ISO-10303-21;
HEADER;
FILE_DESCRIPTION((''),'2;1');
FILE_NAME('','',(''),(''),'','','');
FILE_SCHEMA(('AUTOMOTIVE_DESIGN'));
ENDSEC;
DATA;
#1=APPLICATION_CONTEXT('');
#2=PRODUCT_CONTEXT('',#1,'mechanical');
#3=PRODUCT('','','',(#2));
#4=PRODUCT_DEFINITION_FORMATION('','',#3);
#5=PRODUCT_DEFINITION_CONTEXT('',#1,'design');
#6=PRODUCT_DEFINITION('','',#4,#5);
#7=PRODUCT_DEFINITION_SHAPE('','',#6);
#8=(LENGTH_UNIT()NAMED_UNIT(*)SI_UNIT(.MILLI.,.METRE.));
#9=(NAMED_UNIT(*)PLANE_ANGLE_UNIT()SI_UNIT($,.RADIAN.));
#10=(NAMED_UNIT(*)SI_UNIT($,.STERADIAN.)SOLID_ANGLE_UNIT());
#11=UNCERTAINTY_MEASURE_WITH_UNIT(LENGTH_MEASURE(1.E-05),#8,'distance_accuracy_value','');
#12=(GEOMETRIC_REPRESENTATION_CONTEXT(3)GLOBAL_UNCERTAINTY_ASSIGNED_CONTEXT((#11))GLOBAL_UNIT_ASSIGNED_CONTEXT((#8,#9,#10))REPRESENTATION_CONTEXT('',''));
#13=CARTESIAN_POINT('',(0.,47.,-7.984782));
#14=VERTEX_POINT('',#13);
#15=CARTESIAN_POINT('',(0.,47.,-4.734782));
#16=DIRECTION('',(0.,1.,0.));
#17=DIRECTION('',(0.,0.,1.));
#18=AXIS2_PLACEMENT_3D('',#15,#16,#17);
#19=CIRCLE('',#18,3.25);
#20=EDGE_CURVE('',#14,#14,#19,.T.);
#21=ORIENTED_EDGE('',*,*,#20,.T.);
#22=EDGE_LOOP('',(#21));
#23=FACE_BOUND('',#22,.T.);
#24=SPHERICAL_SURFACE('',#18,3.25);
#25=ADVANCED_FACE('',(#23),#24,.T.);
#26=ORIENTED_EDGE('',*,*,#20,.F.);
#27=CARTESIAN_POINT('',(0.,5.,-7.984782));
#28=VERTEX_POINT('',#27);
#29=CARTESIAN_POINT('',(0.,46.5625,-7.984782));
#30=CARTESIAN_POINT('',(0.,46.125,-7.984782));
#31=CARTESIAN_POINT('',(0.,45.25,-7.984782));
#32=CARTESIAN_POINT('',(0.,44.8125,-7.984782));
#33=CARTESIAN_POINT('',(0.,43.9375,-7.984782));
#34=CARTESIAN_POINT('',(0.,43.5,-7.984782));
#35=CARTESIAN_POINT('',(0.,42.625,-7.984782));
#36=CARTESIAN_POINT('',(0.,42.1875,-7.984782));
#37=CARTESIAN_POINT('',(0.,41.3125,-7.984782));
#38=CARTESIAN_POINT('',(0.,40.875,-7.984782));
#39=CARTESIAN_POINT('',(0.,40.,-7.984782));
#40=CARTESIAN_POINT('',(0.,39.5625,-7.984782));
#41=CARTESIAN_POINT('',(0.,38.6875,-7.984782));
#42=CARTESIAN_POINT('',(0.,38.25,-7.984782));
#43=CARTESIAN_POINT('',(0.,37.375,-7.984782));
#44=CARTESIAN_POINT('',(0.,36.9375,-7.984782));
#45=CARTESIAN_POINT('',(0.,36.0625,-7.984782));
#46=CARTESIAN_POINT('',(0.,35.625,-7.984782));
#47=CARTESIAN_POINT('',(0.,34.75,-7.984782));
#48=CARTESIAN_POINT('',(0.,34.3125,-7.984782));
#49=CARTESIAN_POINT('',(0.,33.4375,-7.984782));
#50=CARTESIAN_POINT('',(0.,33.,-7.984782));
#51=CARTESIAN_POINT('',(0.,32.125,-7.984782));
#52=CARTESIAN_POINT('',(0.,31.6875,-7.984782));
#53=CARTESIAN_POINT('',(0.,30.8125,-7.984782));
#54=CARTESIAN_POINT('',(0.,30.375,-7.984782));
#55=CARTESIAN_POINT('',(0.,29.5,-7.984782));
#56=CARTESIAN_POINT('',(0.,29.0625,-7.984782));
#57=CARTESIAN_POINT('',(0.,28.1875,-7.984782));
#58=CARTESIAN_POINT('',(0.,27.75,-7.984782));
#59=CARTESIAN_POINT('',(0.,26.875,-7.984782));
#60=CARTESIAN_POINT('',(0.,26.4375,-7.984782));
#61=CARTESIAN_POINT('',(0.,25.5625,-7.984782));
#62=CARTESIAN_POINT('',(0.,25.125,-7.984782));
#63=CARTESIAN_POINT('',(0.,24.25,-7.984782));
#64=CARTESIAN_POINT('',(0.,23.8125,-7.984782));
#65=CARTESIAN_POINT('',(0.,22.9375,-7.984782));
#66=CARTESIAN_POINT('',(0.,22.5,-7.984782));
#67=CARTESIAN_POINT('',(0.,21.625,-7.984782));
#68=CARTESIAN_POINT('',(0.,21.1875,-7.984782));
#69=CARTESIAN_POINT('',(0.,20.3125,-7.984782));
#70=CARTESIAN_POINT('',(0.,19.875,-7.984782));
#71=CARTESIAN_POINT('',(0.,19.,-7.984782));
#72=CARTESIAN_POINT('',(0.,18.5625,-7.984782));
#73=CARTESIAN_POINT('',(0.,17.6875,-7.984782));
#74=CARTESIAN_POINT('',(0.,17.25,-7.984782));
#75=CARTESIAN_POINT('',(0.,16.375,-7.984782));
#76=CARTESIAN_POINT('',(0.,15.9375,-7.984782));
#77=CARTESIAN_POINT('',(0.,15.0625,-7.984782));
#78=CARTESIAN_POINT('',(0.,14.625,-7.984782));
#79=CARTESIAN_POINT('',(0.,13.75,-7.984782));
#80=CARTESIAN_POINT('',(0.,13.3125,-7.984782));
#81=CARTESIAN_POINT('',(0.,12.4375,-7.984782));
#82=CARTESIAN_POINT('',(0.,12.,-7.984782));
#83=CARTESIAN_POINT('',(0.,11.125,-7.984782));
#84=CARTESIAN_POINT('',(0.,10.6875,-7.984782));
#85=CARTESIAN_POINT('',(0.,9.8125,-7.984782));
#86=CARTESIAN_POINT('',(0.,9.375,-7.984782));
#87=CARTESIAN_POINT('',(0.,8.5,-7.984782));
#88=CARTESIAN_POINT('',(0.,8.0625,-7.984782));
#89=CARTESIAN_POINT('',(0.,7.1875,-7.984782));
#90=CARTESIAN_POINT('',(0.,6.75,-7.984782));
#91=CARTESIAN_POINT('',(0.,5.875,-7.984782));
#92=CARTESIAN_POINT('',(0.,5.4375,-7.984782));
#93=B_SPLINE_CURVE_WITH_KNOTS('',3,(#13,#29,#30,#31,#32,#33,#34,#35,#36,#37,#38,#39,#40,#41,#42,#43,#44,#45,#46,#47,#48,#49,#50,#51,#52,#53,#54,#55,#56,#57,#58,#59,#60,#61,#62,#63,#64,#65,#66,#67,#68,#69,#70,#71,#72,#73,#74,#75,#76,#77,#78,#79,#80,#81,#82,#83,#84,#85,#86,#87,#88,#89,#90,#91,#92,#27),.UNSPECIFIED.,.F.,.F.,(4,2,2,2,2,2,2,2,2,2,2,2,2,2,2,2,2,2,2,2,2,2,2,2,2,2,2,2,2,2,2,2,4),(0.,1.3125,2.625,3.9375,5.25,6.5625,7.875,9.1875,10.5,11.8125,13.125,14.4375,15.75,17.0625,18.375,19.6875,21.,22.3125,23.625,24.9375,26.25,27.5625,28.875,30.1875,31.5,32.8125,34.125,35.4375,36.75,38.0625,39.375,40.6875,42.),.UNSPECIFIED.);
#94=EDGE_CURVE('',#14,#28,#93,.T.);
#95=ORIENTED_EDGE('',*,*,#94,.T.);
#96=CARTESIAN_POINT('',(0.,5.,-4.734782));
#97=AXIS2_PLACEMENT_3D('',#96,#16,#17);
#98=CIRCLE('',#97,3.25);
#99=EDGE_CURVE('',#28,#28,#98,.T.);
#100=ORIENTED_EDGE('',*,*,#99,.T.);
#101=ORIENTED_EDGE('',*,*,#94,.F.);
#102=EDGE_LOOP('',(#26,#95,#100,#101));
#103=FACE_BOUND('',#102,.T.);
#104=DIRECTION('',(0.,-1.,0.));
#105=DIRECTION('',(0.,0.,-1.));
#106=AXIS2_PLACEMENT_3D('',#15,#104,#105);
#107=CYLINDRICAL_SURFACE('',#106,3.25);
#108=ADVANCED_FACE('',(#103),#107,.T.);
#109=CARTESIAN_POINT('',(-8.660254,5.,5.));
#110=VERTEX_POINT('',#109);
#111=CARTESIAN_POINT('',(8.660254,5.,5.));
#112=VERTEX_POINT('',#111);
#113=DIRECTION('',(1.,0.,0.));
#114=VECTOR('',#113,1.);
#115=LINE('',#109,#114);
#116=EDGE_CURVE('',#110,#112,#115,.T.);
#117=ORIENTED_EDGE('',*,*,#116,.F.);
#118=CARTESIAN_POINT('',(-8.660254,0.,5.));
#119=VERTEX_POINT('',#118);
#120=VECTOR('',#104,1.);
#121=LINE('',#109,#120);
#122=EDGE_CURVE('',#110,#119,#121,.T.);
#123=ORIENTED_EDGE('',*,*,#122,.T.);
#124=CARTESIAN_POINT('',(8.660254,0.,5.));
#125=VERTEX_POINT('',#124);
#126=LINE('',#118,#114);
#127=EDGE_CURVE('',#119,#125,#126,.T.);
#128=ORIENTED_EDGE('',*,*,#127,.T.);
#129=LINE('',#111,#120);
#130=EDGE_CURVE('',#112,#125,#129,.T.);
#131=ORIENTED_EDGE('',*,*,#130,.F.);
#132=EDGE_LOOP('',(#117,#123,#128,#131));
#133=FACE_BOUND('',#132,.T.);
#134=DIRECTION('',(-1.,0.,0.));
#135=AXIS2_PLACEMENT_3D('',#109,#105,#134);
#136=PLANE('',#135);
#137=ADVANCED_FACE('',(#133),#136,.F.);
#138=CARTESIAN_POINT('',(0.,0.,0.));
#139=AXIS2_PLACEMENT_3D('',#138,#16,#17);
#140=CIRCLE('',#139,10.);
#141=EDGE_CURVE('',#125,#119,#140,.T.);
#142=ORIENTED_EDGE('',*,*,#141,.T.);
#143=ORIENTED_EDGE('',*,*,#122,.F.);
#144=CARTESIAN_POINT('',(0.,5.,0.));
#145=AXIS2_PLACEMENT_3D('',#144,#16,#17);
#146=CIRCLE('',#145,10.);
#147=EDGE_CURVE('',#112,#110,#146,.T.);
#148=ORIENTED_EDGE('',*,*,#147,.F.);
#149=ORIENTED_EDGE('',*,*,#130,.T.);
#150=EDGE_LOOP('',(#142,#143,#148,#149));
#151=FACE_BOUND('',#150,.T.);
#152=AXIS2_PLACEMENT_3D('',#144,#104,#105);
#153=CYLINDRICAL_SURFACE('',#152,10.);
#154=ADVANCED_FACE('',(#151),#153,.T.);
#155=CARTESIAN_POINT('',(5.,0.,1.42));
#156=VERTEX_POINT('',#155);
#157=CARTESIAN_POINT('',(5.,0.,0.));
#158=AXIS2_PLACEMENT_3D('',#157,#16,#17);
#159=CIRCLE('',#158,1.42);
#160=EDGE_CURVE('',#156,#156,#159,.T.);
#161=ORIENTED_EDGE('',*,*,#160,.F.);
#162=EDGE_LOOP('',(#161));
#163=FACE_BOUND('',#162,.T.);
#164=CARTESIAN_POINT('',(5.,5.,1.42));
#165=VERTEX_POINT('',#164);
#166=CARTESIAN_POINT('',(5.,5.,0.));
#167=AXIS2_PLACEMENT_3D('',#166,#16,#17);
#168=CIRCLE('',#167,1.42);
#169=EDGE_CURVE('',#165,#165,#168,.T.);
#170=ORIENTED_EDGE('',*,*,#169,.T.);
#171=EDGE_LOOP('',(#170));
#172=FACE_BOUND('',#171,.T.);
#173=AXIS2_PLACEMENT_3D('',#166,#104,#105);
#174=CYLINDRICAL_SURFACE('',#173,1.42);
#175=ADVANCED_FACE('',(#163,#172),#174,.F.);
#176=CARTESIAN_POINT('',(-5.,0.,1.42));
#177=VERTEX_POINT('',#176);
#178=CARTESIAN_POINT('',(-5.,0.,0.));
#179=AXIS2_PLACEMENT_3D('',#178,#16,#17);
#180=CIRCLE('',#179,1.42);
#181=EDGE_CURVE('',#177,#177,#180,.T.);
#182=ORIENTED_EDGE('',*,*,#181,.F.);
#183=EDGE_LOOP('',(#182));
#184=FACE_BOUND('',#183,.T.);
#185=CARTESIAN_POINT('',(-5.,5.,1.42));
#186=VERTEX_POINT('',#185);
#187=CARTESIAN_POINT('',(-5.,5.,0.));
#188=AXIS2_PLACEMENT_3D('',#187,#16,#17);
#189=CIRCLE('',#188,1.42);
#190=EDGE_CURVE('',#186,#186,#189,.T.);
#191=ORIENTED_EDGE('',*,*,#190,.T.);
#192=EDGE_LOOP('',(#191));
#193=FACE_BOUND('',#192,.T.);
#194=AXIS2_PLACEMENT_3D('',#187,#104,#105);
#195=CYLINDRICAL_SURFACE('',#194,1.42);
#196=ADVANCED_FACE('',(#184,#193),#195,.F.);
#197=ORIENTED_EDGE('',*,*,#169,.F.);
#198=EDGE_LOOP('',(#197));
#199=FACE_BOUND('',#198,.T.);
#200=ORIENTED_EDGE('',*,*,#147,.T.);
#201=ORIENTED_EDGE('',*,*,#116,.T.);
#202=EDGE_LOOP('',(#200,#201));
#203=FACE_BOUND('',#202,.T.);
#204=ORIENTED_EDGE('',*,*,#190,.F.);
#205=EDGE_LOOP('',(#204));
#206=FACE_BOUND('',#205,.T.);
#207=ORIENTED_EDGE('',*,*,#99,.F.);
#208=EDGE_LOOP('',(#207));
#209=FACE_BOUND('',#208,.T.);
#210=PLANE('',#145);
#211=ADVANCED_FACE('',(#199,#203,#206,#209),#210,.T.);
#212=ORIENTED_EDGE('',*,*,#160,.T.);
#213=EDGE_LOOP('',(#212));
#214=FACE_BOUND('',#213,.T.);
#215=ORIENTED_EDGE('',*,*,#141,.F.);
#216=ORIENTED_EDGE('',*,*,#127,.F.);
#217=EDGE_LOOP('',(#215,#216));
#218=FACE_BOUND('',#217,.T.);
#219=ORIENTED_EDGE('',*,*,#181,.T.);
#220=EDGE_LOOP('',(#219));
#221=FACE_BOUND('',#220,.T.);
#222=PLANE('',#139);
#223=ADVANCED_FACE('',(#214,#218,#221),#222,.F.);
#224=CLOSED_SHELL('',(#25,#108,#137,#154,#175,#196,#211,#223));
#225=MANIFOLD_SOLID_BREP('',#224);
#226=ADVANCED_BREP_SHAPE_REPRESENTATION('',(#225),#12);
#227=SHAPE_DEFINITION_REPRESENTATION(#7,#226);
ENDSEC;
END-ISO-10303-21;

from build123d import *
from build123d.topology import SkipClean

# Parameters (mm, degrees)
SKETCH1_R           = 1.42
BOSS_EXTRUDE1_DEPTH = 5
SKETCH3_R           = 3.25
BOSS_EXTRUDE2_DEPTH = 42


with BuildPart() as part:
    # Sketch1 → Boss-Extrude1 (new body)
    with BuildSketch(Plane(origin=(0, 0, 0), x_dir=(1, 0, 0), z_dir=(0, 1, 0))):
        with BuildLine():
            Line((-8.660254038, -5), (8.660254038, -5))
            ThreePointArc((8.660254038, -5), (0, 10), (-8.660254038, -5))
        make_face()
        with Locations(Location((-5, 0, 0), (0, 0, 270))):
            Circle(SKETCH1_R, mode=Mode.SUBTRACT)
        with Locations(Location((5, 0, 0), (0, 0, 270))):
            Circle(SKETCH1_R, mode=Mode.SUBTRACT)
    extrude(amount=BOSS_EXTRUDE1_DEPTH)

    # Sketch3 → Boss-Extrude2 (add)
    with BuildSketch(Plane(origin=(0, 5, 0), x_dir=(1, 0, 0), z_dir=(0, 1, 0))):
        with Locations(Location((0, 4.734782237, 0), (0, 0, 90))):
            Circle(SKETCH3_R)
    extrude(amount=BOSS_EXTRUDE2_DEPTH)

    # Sketch6 → Revolve1 (revolve)
    with SkipClean():  # the faces are left unmerged after this step: merging them gives an invalid solid
        with BuildSketch(Plane(origin=(0, 47, 0), x_dir=(1, 0, 0), z_dir=(0, 1, 0))):
            with BuildLine():
                ThreePointArc((3.25, 4.734782237), (2.298097039, 7.032879276), (0, 7.984782237))
                Line((0, 7.984782237), (0, 1.484782237))
                ThreePointArc((0, 1.484782237), (2.298097039, 2.436685198), (3.25, 4.734782237))
            make_face()
            with BuildLine():
                Line((0, 1.484782237), (0, 7.984782237))
                ThreePointArc((0, 7.984782237), (-3.25, 4.734782237), (0, 1.484782237))
            make_face()
        revolve(axis=Axis((0, 47, -7.984782237), (0, 0, 1)))


solid = part.part
